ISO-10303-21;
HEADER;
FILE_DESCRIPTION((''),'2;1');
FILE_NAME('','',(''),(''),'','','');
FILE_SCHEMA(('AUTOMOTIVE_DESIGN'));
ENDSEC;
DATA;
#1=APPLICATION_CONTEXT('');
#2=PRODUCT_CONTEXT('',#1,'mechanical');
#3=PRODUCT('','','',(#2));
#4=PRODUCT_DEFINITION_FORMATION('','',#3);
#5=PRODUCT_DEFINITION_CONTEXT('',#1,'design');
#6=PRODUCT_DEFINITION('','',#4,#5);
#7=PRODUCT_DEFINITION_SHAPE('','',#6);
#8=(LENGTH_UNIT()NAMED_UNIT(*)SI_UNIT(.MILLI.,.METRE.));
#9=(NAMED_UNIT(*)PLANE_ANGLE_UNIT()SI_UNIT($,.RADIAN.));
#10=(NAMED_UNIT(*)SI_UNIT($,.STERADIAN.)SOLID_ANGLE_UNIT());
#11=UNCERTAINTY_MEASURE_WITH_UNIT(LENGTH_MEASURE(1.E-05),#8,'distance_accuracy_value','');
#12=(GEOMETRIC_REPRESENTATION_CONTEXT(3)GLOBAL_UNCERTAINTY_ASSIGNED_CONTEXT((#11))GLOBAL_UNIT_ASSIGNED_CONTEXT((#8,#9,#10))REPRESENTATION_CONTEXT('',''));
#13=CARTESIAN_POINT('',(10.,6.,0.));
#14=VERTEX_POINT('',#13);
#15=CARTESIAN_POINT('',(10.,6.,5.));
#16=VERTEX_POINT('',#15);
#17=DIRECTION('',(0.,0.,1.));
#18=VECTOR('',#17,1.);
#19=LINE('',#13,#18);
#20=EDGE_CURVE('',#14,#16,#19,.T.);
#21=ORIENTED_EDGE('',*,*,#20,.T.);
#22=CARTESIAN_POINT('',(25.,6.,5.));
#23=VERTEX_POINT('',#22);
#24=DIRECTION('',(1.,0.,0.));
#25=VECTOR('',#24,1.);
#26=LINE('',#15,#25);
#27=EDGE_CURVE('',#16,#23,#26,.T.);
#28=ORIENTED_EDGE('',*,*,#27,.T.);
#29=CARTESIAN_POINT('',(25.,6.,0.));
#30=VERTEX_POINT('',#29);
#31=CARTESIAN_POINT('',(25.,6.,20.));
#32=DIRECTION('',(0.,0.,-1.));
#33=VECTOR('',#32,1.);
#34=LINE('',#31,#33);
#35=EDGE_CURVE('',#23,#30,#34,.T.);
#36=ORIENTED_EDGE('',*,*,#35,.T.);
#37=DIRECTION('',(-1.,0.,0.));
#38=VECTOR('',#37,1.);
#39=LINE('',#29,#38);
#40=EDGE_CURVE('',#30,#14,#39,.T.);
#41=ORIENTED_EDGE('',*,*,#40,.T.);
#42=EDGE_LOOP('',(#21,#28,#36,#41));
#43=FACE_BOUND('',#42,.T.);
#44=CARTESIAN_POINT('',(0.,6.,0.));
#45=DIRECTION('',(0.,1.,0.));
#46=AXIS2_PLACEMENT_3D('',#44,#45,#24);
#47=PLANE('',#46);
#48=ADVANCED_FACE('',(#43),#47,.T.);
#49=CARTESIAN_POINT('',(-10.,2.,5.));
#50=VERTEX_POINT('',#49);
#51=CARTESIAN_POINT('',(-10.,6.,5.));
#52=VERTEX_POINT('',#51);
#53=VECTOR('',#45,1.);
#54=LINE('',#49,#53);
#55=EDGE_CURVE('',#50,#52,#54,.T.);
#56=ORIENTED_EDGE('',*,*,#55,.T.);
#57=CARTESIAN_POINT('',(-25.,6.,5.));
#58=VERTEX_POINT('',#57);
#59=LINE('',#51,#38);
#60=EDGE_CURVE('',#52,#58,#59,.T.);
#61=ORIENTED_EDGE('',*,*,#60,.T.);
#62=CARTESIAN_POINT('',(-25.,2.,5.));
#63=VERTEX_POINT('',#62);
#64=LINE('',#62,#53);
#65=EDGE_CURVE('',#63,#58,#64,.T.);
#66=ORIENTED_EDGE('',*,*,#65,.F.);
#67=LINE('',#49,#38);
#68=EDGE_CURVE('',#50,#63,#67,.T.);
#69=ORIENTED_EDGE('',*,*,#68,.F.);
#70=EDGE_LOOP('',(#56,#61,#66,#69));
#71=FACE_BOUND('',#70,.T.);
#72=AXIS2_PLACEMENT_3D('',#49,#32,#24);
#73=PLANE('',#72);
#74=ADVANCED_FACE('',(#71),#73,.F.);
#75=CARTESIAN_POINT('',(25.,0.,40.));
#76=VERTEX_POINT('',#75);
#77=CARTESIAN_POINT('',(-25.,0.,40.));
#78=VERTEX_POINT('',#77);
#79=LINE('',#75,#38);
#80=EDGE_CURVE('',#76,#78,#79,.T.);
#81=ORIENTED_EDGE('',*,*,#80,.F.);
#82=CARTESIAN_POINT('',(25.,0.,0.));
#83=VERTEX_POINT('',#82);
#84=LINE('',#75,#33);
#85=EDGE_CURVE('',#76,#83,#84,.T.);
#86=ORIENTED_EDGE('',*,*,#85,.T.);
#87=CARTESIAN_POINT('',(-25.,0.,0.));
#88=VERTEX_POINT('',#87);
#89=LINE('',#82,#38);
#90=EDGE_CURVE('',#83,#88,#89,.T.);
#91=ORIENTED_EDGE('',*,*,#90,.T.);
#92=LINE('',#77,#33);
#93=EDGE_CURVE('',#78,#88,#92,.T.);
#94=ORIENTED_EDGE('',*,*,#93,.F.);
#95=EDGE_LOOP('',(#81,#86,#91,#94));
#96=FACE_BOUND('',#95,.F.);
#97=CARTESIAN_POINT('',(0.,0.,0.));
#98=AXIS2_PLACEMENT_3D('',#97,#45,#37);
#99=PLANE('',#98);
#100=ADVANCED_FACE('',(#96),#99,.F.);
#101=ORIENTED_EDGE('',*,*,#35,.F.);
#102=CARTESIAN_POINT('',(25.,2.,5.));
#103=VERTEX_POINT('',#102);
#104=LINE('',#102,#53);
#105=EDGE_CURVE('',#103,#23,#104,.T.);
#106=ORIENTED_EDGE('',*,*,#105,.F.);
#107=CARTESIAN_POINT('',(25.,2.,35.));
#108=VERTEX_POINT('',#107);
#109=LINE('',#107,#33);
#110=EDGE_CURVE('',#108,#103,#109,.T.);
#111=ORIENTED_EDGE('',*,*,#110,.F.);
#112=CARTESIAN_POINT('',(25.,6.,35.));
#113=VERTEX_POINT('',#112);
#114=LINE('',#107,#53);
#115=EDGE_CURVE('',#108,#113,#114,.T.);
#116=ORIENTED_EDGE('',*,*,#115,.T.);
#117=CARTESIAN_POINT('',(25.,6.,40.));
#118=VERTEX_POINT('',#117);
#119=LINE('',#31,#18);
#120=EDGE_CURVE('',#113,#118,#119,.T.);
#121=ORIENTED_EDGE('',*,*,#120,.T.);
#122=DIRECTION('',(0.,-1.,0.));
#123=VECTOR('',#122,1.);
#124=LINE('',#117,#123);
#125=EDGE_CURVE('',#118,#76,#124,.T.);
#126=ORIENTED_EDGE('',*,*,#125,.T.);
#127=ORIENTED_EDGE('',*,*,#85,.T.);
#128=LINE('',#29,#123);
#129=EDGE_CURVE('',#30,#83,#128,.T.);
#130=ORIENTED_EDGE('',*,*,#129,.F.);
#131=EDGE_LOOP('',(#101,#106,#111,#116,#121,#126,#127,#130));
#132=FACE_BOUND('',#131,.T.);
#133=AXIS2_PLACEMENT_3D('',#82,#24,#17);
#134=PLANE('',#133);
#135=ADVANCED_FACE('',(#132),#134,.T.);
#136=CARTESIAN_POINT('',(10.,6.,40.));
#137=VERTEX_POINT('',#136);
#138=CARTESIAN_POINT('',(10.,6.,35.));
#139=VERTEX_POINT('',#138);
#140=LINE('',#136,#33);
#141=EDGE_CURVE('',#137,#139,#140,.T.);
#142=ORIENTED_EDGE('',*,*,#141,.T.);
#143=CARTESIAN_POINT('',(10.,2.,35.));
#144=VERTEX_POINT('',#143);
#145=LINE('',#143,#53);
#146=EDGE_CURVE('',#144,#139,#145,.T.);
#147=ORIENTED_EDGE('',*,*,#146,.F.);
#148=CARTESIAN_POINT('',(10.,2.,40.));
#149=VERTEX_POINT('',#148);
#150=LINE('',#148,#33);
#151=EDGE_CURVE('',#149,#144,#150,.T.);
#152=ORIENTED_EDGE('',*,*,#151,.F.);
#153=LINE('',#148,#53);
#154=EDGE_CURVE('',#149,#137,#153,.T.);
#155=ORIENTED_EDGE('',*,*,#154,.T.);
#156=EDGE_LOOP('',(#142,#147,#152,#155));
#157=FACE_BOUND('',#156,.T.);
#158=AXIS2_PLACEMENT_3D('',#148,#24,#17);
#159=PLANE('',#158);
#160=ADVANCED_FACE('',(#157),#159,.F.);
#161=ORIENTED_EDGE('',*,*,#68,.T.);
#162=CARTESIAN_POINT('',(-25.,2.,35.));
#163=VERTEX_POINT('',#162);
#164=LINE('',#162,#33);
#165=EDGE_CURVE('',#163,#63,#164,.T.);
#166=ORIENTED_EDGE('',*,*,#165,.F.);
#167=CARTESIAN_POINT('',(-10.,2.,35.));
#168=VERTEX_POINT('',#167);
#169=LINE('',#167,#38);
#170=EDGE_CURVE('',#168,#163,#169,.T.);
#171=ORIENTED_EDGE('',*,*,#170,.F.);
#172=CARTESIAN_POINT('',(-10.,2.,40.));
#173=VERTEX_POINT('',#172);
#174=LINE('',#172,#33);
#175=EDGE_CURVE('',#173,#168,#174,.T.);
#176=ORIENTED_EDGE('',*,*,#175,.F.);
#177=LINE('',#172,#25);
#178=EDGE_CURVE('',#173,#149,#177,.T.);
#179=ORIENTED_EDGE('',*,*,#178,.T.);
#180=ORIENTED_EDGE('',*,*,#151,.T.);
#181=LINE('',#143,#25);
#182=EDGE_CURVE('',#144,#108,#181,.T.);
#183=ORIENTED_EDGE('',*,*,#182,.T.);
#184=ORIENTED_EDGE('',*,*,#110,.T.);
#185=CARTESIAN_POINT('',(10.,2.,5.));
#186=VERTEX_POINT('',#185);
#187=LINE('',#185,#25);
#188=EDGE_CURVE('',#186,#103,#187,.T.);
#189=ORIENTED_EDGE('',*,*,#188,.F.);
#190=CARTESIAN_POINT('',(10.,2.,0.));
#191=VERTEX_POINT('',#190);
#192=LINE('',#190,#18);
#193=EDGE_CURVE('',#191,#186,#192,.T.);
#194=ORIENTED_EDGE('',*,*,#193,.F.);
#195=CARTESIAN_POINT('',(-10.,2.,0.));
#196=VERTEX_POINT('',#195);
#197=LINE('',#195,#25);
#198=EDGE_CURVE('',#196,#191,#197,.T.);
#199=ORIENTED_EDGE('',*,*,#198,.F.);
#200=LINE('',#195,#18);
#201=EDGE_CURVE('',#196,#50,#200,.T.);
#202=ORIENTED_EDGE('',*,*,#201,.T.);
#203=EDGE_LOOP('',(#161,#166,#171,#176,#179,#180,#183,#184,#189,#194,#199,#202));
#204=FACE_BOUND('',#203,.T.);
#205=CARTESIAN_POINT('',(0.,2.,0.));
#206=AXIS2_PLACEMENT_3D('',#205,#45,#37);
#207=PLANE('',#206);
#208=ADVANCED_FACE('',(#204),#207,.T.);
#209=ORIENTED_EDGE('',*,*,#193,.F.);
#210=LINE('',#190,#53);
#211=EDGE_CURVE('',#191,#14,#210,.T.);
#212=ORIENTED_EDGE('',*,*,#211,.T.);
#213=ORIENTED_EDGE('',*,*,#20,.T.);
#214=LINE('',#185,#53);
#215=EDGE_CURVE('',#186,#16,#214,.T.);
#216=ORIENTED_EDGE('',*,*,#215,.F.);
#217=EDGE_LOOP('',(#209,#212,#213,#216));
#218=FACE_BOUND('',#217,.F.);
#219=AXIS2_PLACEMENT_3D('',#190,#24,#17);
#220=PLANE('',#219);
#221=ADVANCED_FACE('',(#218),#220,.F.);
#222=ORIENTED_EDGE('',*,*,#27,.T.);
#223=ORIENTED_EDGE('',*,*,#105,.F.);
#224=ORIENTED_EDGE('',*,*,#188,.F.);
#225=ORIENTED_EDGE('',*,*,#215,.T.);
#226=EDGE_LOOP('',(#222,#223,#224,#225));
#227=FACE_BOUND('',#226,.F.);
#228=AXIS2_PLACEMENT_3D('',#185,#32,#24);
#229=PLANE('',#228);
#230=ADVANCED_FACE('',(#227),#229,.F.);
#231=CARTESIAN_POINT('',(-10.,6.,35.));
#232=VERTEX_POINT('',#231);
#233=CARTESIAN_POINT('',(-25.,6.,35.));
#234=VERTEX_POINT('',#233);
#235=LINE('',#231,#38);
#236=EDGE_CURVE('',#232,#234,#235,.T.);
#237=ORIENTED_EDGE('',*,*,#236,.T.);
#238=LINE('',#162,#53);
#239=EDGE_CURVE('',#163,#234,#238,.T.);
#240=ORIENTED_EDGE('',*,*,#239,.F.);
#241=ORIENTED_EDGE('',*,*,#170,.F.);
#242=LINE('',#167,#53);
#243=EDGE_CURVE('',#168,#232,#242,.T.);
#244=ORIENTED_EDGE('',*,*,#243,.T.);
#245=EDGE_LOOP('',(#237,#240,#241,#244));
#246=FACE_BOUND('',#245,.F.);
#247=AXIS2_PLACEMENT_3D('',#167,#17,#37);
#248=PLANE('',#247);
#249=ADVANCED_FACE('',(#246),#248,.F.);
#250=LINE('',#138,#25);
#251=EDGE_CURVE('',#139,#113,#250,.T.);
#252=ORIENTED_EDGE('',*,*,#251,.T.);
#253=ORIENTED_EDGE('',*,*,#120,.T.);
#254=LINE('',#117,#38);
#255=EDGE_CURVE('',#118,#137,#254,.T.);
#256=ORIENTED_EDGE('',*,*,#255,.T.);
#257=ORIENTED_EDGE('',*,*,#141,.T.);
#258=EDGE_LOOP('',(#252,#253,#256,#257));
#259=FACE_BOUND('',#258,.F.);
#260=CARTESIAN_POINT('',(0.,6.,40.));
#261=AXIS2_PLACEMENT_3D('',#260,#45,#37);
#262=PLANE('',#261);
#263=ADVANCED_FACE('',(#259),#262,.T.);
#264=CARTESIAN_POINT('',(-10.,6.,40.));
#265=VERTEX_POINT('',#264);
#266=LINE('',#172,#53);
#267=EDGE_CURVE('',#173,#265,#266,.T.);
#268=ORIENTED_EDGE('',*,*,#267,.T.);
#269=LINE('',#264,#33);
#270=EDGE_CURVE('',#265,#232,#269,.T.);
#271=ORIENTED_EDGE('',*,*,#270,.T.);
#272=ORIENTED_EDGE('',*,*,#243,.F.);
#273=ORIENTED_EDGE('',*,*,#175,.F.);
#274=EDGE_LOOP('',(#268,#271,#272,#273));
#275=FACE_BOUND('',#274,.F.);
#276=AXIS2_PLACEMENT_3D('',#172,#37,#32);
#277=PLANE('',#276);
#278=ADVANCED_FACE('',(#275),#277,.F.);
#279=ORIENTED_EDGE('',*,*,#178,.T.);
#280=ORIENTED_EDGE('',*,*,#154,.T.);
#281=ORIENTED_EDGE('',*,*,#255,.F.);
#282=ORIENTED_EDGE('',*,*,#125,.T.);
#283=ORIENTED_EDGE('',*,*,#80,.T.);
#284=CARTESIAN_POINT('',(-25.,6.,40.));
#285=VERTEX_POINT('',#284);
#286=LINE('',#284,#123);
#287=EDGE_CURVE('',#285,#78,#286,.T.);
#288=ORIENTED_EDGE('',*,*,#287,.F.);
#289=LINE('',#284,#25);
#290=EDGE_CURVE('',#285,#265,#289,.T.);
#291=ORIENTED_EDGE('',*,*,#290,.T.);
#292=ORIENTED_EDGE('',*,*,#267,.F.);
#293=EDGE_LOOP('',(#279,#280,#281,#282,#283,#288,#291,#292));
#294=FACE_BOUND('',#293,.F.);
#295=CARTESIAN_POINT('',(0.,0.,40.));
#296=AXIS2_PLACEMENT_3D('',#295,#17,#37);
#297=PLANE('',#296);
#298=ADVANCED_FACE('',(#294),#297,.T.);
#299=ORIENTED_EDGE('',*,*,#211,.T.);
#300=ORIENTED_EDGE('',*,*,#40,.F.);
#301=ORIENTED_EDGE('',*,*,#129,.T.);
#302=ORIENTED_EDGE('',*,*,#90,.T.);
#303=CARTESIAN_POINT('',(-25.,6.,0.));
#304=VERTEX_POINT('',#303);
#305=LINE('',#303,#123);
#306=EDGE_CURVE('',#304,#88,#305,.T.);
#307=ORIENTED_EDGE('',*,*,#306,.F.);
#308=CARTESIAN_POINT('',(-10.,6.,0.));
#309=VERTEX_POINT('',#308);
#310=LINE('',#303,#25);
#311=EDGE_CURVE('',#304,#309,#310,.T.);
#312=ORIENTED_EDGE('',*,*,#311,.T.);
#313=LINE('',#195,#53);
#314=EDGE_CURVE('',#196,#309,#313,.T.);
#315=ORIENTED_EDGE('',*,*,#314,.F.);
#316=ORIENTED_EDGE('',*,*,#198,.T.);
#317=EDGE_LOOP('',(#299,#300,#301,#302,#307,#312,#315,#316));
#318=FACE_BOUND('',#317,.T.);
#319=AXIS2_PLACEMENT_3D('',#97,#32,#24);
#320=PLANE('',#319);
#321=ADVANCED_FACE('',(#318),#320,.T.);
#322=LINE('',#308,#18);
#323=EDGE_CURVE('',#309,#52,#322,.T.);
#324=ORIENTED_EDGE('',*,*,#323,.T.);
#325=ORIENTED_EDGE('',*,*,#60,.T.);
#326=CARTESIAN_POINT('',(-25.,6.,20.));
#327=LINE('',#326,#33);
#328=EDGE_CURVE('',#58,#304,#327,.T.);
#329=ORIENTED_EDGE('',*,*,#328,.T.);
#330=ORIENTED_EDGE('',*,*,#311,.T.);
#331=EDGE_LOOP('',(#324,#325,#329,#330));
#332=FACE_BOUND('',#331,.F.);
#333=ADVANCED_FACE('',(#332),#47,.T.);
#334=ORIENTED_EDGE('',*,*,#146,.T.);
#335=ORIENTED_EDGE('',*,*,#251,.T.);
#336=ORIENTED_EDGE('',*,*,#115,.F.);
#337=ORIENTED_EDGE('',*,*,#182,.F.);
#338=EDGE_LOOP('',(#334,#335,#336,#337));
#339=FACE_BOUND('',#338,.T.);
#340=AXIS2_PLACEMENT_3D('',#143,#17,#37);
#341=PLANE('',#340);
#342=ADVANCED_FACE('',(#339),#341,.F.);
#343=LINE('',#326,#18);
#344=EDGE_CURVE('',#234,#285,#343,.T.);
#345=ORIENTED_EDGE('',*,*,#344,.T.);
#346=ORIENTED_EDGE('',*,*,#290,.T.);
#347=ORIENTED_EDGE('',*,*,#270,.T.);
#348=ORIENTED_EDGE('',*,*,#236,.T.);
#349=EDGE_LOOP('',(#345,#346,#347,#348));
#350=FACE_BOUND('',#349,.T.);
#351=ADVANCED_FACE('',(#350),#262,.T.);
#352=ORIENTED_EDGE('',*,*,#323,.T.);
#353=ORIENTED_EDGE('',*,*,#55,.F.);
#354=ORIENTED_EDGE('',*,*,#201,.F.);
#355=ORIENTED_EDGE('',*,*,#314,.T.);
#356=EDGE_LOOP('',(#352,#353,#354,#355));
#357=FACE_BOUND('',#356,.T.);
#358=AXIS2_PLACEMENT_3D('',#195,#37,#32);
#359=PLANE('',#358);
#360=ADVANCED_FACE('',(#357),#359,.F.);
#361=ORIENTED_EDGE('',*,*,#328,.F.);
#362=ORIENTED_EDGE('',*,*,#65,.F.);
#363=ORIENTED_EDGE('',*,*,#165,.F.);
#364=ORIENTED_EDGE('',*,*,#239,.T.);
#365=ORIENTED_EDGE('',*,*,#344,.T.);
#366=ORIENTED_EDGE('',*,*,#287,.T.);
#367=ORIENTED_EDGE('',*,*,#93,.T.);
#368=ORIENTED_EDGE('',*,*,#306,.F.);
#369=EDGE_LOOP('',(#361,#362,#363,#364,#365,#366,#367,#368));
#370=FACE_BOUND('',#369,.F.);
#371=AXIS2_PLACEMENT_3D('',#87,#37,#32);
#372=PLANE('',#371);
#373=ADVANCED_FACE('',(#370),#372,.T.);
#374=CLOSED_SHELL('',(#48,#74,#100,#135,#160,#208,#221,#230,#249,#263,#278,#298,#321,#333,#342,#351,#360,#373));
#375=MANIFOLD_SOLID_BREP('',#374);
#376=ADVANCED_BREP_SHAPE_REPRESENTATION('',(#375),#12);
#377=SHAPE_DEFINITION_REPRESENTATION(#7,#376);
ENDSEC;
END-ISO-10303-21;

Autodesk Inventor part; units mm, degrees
ref_plane "YZ Plane" through (0, 0, 0) normal (1, 0, 0) x (0, 1, 0)
ref_plane "XZ Plane" through (0, 0, 0) normal (0, 1, 0) x (-1, 0, 0)
ref_plane "XY Plane" through (0, 0, 0) normal (0, 0, 1) x (1, 0, 0)
sketch "Эскиз1" plane through (0, 0, 0) normal (0, 1, 0) x (-1, 0, 0)
  line L0 (0, 0) -> (-25, 0)
  line L1 (-25, 0) -> (-25, 20)
  line L2 (-25, 20) -> (0, 20)
  line L3 (0, 20) -> (0, 0)
  dimension "d0" = 25
  dimension "d1" = 20
extrude "Выдавливание1" add sketch "Эскиз1" along normal blind 2
sketch "Эскиз2" plane through (0, 2, 0) normal (0, 1, 0) x (1, 0, 0)
  line L0 (25, -20) -> (25, 0) projected
  line L1 (25, 0) -> (10, 0)
  line L2 (10, 0) -> (10, -5)
  line L3 (10, -5) -> (25, -5)
  line L4 (25, -5) -> (25, 0)
  point P0 (0, 0)
  dimension "d4" = 15
  dimension "d5" = 5
extrude "Выдавливание2" add sketch "Эскиз2" along normal blind 4
mirror "Зеркальное отражение1" about plane through (0, 0, 20) normal (0, 0, 1)
mirror "Зеркальное отражение2" about plane through (0, 0, 0) normal (-1, 0, 0)
properties part number "крышка кожуха нижняя"
